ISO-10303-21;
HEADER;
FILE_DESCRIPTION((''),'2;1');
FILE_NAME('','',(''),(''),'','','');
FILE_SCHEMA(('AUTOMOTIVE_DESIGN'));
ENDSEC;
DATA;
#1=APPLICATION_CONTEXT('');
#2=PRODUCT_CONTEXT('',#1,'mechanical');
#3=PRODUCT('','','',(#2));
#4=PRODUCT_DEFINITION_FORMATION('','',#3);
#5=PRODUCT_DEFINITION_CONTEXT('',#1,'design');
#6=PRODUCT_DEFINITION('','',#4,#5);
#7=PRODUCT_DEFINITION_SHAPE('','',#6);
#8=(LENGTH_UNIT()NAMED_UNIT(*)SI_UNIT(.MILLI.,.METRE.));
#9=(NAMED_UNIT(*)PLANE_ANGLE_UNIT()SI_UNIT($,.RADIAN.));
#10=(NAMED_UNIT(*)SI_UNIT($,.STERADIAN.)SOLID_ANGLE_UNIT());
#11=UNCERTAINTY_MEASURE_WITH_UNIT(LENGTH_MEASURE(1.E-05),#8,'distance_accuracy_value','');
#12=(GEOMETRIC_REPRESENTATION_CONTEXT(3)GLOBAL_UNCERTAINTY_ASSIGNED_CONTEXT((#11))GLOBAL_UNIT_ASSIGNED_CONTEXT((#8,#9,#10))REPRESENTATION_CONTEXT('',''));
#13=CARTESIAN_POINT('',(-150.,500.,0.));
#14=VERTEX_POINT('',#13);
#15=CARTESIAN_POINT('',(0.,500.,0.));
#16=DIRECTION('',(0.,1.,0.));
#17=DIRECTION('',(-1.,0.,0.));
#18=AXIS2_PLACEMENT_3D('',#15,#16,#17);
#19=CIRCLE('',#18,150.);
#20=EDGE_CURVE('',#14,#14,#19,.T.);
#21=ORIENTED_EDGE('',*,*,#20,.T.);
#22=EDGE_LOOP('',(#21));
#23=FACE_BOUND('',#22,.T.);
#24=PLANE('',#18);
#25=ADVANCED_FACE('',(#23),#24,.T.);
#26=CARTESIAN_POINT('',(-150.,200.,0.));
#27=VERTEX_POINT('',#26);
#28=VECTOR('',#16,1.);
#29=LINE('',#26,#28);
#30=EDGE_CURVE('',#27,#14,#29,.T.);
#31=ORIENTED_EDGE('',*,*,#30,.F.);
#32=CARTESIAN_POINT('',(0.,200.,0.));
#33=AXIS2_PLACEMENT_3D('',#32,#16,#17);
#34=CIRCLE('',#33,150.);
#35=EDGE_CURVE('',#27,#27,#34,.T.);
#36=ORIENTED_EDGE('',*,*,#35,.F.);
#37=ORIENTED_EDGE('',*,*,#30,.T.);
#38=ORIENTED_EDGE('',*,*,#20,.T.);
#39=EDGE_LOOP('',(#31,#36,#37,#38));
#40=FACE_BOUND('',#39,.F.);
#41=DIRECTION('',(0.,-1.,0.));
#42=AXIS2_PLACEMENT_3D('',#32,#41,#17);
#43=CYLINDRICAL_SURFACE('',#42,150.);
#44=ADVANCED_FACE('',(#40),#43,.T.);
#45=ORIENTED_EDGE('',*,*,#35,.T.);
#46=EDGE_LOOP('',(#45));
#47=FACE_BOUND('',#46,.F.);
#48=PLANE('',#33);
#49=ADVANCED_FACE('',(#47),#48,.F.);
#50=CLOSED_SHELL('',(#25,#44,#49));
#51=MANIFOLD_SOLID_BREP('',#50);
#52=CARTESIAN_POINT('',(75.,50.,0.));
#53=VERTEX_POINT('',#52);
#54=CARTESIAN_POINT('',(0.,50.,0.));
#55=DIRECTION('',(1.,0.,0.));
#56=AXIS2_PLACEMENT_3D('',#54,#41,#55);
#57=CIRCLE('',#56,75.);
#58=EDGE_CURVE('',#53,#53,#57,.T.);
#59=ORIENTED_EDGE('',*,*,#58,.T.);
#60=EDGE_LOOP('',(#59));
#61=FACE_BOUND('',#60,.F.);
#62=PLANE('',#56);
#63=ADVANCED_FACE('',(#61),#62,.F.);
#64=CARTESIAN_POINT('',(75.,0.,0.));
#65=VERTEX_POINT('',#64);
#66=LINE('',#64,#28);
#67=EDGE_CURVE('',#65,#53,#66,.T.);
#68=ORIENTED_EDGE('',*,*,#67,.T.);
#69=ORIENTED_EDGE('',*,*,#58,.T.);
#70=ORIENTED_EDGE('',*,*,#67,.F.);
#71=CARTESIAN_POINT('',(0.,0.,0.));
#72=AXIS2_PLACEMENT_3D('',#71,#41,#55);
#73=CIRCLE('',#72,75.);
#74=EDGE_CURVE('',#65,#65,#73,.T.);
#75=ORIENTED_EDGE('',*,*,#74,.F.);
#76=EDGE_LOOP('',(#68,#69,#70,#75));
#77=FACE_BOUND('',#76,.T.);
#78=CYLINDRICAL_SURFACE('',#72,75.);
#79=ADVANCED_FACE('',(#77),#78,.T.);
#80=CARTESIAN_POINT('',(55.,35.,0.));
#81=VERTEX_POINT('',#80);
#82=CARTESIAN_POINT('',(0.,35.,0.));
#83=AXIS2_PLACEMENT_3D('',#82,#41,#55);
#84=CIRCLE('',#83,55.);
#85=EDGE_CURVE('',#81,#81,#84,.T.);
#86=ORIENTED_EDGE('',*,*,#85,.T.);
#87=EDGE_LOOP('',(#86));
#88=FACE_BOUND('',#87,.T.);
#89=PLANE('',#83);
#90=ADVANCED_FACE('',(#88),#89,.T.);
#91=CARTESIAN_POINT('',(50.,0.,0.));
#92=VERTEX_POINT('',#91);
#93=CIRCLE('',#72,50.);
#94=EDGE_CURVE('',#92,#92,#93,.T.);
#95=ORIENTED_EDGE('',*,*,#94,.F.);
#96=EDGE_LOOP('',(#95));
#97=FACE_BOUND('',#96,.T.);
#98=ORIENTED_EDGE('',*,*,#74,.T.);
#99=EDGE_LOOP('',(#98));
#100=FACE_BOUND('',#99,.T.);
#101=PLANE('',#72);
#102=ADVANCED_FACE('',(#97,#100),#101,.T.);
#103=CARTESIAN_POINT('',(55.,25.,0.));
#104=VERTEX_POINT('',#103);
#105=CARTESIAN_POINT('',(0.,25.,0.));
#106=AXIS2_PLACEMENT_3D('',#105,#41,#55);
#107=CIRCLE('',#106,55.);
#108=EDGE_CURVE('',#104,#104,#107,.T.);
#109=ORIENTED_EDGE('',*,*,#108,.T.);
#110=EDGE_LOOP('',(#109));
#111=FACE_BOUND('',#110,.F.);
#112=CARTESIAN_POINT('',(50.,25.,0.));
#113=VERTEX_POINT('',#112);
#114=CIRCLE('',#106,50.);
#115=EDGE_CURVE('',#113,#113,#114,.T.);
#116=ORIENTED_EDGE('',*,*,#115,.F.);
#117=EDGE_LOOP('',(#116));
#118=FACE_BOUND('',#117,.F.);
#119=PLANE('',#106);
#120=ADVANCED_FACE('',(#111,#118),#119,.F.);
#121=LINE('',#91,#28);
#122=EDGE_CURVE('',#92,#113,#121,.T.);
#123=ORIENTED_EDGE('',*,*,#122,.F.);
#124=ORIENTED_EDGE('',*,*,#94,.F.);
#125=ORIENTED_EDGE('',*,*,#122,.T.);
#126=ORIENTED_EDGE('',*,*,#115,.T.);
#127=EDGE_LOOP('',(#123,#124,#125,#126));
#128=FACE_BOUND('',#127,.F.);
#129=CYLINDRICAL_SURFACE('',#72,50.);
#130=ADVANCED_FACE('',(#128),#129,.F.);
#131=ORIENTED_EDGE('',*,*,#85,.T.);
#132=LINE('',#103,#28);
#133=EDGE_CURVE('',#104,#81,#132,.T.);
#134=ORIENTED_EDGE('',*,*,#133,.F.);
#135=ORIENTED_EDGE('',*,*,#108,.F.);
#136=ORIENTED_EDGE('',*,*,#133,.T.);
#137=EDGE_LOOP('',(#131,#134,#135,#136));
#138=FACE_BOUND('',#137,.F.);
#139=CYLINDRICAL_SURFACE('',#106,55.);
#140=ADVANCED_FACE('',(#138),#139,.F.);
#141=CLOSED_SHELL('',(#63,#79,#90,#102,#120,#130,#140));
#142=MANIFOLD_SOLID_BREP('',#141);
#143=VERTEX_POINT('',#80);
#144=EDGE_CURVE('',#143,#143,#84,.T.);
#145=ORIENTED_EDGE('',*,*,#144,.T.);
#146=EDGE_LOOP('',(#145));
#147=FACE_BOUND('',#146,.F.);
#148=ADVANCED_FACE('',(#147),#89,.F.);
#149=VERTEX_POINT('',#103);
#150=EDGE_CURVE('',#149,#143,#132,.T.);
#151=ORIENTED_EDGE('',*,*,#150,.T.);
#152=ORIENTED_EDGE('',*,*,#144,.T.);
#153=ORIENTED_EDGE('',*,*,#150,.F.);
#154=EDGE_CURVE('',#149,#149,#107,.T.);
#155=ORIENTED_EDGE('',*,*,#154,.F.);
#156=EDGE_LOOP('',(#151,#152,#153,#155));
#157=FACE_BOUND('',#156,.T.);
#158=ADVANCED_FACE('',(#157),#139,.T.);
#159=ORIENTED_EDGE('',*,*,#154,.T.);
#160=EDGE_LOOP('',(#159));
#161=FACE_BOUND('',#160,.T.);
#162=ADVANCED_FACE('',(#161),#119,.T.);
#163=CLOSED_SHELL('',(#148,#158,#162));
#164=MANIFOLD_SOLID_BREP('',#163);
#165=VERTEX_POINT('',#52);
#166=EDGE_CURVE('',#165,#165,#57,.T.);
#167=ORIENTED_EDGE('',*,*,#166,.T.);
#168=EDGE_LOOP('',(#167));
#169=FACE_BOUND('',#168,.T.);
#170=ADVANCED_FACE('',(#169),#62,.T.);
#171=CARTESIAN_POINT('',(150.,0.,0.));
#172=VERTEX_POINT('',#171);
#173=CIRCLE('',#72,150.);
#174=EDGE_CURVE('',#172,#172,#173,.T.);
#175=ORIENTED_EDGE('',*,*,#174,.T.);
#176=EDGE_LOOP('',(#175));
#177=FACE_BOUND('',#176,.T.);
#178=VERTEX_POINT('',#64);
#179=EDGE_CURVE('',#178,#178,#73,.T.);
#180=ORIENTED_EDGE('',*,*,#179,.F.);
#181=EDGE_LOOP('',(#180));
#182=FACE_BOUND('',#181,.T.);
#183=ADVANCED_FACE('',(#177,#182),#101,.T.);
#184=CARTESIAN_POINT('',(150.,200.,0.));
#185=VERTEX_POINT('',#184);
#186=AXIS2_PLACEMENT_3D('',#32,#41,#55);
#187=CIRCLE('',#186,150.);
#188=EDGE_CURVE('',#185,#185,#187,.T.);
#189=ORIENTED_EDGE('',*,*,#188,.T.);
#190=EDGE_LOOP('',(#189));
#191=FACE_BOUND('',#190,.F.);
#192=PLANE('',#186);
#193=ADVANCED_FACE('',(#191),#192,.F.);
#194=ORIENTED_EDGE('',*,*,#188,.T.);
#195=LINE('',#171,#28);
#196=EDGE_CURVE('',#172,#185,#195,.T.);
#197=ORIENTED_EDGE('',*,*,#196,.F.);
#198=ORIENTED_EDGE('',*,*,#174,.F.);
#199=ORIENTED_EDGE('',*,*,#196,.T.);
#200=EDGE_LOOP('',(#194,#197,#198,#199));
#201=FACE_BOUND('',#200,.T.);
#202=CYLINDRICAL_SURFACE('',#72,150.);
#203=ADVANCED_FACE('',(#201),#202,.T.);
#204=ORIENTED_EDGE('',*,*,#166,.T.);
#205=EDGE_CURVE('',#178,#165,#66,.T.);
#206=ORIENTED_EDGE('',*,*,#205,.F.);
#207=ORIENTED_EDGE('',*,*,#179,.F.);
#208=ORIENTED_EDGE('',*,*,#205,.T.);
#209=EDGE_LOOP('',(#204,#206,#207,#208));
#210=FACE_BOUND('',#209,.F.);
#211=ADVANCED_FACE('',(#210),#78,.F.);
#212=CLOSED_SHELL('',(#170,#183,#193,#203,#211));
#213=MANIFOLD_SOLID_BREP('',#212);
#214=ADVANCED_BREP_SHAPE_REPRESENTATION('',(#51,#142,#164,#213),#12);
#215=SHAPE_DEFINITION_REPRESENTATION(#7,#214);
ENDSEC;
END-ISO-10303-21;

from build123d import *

# Parameters (mm, degrees)
F0_R      = 150
F3_DEPTH  = 200
F1_R      = 75
F4_DEPTH  = 50
F5_DEPTH  = 50
F2_R      = 50
F6_DEPTH  = 25
F7_R      = 55
F8_DEPTH  = 10
F9_DEPTH  = 10
F10_R     = 150
F11_DEPTH = 300


with BuildPart() as f3:
    # F0 (on Front) → F3 (new body)
    with BuildSketch(Plane.XZ):
        Circle(F0_R)
    extrude(amount=-F3_DEPTH)

    # F1 (on Front) → F4 (cut)
    with BuildSketch(Plane.XZ):
        Circle(F1_R)
    extrude(amount=-F4_DEPTH, mode=Mode.SUBTRACT)


with BuildPart() as f5:
    # F1 (on Front) → F5 (new body, through all)
    with BuildSketch(Plane.XZ):
        Circle(F1_R)
    extrude(amount=-F5_DEPTH)

    # F2 (on Front) → F6 (cut)
    with BuildSketch(Plane.XZ):
        Circle(F2_R)
    extrude(amount=-F6_DEPTH, mode=Mode.SUBTRACT)

    # F7 (on face) → F8 (cut)
    with BuildSketch(Plane.XZ.offset(-25)):
        Circle(F7_R)
    extrude(amount=-F8_DEPTH, mode=Mode.SUBTRACT)


with BuildPart() as f9:
    # F7 (on face) → F9 (new body, through all)
    with BuildSketch(Plane.XZ.offset(-25)):
        Circle(F7_R)
    extrude(amount=-F9_DEPTH)


with BuildPart() as f11:
    # F10 (on face) → F11 (new body)
    with BuildSketch(Plane(origin=(0, 200, 0), x_dir=(-1, 0, 0), z_dir=(0, 1, 0))):
        Circle(F10_R)
    extrude(amount=F11_DEPTH)


solid = Compound([f3.part, f5.part, f9.part, f11.part])
